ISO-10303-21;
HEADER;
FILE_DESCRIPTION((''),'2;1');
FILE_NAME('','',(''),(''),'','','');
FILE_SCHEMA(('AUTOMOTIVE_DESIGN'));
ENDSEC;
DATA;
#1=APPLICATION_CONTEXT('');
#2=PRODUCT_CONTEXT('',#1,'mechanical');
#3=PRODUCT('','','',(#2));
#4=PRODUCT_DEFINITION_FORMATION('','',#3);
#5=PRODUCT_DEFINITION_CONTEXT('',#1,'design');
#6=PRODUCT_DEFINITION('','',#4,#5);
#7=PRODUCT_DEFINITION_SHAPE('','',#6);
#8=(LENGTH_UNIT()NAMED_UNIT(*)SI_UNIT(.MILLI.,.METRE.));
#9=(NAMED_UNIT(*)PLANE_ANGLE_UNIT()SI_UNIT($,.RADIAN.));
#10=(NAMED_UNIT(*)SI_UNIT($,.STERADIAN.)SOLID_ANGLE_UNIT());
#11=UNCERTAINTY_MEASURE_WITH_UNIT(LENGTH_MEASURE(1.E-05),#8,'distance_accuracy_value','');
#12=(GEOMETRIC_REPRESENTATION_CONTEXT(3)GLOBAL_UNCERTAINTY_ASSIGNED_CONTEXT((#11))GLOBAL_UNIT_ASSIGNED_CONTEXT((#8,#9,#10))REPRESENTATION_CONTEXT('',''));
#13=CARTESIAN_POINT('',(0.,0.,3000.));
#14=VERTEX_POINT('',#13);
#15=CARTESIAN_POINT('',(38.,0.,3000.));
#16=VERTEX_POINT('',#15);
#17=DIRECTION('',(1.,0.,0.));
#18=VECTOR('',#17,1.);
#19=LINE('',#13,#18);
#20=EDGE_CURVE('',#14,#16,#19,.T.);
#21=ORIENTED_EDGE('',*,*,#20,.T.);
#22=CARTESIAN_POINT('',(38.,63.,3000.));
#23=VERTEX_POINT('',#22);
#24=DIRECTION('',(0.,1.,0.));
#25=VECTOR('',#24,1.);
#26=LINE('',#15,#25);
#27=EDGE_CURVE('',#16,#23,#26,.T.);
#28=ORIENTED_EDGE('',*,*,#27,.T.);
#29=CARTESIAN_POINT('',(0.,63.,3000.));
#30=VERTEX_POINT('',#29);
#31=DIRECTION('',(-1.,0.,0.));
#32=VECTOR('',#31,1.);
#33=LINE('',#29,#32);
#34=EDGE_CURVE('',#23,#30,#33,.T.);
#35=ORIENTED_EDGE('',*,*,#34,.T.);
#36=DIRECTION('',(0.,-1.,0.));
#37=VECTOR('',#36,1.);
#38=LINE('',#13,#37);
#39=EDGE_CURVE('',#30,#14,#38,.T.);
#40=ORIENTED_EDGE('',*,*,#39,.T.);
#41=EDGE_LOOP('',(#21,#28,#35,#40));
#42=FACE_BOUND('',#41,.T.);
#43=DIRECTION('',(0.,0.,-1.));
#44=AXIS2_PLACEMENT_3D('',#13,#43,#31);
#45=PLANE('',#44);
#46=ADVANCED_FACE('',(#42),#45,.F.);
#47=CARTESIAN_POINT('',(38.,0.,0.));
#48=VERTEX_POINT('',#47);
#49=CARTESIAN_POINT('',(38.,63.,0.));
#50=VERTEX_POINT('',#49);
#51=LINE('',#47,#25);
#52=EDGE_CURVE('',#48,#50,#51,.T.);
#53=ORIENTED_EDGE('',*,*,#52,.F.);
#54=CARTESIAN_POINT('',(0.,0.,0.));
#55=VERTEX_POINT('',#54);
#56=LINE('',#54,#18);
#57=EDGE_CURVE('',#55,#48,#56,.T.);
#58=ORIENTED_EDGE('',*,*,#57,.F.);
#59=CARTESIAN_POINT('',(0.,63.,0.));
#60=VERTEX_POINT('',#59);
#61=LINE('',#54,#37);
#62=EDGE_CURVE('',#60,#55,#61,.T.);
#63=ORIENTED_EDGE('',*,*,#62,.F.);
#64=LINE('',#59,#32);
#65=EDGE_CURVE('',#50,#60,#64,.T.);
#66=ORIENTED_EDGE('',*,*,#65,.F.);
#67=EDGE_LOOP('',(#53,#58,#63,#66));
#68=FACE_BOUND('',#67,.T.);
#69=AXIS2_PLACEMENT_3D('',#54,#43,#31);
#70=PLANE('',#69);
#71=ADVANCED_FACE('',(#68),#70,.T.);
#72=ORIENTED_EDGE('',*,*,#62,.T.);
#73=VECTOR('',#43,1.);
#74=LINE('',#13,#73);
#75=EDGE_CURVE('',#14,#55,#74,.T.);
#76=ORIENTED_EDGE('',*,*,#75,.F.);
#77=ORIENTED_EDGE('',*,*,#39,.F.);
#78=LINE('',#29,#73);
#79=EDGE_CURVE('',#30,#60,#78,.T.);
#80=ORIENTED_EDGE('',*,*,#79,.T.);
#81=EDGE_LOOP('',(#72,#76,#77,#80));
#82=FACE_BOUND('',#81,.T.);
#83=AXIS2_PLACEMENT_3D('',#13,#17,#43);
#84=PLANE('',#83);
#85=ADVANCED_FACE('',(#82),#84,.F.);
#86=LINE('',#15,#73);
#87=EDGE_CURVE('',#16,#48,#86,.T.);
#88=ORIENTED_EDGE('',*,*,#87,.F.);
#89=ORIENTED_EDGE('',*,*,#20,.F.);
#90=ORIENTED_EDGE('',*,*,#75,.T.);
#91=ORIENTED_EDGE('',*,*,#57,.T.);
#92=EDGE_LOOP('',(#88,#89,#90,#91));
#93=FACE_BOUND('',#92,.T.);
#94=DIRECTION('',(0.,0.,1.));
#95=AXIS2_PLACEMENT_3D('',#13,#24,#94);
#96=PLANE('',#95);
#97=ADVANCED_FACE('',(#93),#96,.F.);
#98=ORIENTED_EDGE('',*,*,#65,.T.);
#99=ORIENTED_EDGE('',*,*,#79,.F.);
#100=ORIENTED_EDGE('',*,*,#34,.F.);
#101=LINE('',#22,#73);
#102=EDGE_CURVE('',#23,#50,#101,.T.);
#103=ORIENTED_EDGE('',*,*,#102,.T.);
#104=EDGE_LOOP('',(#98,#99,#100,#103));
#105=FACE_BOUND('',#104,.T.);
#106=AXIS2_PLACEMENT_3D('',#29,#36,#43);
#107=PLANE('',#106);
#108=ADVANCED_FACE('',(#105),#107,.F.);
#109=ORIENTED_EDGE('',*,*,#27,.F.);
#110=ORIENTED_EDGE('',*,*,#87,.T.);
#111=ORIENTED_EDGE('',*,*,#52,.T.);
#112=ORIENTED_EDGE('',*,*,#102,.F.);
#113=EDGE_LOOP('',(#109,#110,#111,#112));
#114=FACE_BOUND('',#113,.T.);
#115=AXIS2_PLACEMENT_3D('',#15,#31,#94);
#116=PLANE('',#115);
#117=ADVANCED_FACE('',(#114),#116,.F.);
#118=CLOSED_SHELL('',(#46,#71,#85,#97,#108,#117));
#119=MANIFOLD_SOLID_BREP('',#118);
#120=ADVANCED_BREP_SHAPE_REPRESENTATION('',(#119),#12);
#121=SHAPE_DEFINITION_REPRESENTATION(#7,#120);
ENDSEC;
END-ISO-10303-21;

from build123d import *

# Parameters (mm, degrees)
ESQUISSE1_W        = 38
ESQUISSE1_H        = 63
BOSS_EXTRU_1_DEPTH = 3000


with BuildPart() as part:
    # Esquisse1 → Boss.-Extru.1 (new body)
    with BuildSketch(Plane.XY):
        with Locations((19, 31.5)):
            Rectangle(ESQUISSE1_W, ESQUISSE1_H)
    extrude(amount=BOSS_EXTRU_1_DEPTH)


solid = part.part
